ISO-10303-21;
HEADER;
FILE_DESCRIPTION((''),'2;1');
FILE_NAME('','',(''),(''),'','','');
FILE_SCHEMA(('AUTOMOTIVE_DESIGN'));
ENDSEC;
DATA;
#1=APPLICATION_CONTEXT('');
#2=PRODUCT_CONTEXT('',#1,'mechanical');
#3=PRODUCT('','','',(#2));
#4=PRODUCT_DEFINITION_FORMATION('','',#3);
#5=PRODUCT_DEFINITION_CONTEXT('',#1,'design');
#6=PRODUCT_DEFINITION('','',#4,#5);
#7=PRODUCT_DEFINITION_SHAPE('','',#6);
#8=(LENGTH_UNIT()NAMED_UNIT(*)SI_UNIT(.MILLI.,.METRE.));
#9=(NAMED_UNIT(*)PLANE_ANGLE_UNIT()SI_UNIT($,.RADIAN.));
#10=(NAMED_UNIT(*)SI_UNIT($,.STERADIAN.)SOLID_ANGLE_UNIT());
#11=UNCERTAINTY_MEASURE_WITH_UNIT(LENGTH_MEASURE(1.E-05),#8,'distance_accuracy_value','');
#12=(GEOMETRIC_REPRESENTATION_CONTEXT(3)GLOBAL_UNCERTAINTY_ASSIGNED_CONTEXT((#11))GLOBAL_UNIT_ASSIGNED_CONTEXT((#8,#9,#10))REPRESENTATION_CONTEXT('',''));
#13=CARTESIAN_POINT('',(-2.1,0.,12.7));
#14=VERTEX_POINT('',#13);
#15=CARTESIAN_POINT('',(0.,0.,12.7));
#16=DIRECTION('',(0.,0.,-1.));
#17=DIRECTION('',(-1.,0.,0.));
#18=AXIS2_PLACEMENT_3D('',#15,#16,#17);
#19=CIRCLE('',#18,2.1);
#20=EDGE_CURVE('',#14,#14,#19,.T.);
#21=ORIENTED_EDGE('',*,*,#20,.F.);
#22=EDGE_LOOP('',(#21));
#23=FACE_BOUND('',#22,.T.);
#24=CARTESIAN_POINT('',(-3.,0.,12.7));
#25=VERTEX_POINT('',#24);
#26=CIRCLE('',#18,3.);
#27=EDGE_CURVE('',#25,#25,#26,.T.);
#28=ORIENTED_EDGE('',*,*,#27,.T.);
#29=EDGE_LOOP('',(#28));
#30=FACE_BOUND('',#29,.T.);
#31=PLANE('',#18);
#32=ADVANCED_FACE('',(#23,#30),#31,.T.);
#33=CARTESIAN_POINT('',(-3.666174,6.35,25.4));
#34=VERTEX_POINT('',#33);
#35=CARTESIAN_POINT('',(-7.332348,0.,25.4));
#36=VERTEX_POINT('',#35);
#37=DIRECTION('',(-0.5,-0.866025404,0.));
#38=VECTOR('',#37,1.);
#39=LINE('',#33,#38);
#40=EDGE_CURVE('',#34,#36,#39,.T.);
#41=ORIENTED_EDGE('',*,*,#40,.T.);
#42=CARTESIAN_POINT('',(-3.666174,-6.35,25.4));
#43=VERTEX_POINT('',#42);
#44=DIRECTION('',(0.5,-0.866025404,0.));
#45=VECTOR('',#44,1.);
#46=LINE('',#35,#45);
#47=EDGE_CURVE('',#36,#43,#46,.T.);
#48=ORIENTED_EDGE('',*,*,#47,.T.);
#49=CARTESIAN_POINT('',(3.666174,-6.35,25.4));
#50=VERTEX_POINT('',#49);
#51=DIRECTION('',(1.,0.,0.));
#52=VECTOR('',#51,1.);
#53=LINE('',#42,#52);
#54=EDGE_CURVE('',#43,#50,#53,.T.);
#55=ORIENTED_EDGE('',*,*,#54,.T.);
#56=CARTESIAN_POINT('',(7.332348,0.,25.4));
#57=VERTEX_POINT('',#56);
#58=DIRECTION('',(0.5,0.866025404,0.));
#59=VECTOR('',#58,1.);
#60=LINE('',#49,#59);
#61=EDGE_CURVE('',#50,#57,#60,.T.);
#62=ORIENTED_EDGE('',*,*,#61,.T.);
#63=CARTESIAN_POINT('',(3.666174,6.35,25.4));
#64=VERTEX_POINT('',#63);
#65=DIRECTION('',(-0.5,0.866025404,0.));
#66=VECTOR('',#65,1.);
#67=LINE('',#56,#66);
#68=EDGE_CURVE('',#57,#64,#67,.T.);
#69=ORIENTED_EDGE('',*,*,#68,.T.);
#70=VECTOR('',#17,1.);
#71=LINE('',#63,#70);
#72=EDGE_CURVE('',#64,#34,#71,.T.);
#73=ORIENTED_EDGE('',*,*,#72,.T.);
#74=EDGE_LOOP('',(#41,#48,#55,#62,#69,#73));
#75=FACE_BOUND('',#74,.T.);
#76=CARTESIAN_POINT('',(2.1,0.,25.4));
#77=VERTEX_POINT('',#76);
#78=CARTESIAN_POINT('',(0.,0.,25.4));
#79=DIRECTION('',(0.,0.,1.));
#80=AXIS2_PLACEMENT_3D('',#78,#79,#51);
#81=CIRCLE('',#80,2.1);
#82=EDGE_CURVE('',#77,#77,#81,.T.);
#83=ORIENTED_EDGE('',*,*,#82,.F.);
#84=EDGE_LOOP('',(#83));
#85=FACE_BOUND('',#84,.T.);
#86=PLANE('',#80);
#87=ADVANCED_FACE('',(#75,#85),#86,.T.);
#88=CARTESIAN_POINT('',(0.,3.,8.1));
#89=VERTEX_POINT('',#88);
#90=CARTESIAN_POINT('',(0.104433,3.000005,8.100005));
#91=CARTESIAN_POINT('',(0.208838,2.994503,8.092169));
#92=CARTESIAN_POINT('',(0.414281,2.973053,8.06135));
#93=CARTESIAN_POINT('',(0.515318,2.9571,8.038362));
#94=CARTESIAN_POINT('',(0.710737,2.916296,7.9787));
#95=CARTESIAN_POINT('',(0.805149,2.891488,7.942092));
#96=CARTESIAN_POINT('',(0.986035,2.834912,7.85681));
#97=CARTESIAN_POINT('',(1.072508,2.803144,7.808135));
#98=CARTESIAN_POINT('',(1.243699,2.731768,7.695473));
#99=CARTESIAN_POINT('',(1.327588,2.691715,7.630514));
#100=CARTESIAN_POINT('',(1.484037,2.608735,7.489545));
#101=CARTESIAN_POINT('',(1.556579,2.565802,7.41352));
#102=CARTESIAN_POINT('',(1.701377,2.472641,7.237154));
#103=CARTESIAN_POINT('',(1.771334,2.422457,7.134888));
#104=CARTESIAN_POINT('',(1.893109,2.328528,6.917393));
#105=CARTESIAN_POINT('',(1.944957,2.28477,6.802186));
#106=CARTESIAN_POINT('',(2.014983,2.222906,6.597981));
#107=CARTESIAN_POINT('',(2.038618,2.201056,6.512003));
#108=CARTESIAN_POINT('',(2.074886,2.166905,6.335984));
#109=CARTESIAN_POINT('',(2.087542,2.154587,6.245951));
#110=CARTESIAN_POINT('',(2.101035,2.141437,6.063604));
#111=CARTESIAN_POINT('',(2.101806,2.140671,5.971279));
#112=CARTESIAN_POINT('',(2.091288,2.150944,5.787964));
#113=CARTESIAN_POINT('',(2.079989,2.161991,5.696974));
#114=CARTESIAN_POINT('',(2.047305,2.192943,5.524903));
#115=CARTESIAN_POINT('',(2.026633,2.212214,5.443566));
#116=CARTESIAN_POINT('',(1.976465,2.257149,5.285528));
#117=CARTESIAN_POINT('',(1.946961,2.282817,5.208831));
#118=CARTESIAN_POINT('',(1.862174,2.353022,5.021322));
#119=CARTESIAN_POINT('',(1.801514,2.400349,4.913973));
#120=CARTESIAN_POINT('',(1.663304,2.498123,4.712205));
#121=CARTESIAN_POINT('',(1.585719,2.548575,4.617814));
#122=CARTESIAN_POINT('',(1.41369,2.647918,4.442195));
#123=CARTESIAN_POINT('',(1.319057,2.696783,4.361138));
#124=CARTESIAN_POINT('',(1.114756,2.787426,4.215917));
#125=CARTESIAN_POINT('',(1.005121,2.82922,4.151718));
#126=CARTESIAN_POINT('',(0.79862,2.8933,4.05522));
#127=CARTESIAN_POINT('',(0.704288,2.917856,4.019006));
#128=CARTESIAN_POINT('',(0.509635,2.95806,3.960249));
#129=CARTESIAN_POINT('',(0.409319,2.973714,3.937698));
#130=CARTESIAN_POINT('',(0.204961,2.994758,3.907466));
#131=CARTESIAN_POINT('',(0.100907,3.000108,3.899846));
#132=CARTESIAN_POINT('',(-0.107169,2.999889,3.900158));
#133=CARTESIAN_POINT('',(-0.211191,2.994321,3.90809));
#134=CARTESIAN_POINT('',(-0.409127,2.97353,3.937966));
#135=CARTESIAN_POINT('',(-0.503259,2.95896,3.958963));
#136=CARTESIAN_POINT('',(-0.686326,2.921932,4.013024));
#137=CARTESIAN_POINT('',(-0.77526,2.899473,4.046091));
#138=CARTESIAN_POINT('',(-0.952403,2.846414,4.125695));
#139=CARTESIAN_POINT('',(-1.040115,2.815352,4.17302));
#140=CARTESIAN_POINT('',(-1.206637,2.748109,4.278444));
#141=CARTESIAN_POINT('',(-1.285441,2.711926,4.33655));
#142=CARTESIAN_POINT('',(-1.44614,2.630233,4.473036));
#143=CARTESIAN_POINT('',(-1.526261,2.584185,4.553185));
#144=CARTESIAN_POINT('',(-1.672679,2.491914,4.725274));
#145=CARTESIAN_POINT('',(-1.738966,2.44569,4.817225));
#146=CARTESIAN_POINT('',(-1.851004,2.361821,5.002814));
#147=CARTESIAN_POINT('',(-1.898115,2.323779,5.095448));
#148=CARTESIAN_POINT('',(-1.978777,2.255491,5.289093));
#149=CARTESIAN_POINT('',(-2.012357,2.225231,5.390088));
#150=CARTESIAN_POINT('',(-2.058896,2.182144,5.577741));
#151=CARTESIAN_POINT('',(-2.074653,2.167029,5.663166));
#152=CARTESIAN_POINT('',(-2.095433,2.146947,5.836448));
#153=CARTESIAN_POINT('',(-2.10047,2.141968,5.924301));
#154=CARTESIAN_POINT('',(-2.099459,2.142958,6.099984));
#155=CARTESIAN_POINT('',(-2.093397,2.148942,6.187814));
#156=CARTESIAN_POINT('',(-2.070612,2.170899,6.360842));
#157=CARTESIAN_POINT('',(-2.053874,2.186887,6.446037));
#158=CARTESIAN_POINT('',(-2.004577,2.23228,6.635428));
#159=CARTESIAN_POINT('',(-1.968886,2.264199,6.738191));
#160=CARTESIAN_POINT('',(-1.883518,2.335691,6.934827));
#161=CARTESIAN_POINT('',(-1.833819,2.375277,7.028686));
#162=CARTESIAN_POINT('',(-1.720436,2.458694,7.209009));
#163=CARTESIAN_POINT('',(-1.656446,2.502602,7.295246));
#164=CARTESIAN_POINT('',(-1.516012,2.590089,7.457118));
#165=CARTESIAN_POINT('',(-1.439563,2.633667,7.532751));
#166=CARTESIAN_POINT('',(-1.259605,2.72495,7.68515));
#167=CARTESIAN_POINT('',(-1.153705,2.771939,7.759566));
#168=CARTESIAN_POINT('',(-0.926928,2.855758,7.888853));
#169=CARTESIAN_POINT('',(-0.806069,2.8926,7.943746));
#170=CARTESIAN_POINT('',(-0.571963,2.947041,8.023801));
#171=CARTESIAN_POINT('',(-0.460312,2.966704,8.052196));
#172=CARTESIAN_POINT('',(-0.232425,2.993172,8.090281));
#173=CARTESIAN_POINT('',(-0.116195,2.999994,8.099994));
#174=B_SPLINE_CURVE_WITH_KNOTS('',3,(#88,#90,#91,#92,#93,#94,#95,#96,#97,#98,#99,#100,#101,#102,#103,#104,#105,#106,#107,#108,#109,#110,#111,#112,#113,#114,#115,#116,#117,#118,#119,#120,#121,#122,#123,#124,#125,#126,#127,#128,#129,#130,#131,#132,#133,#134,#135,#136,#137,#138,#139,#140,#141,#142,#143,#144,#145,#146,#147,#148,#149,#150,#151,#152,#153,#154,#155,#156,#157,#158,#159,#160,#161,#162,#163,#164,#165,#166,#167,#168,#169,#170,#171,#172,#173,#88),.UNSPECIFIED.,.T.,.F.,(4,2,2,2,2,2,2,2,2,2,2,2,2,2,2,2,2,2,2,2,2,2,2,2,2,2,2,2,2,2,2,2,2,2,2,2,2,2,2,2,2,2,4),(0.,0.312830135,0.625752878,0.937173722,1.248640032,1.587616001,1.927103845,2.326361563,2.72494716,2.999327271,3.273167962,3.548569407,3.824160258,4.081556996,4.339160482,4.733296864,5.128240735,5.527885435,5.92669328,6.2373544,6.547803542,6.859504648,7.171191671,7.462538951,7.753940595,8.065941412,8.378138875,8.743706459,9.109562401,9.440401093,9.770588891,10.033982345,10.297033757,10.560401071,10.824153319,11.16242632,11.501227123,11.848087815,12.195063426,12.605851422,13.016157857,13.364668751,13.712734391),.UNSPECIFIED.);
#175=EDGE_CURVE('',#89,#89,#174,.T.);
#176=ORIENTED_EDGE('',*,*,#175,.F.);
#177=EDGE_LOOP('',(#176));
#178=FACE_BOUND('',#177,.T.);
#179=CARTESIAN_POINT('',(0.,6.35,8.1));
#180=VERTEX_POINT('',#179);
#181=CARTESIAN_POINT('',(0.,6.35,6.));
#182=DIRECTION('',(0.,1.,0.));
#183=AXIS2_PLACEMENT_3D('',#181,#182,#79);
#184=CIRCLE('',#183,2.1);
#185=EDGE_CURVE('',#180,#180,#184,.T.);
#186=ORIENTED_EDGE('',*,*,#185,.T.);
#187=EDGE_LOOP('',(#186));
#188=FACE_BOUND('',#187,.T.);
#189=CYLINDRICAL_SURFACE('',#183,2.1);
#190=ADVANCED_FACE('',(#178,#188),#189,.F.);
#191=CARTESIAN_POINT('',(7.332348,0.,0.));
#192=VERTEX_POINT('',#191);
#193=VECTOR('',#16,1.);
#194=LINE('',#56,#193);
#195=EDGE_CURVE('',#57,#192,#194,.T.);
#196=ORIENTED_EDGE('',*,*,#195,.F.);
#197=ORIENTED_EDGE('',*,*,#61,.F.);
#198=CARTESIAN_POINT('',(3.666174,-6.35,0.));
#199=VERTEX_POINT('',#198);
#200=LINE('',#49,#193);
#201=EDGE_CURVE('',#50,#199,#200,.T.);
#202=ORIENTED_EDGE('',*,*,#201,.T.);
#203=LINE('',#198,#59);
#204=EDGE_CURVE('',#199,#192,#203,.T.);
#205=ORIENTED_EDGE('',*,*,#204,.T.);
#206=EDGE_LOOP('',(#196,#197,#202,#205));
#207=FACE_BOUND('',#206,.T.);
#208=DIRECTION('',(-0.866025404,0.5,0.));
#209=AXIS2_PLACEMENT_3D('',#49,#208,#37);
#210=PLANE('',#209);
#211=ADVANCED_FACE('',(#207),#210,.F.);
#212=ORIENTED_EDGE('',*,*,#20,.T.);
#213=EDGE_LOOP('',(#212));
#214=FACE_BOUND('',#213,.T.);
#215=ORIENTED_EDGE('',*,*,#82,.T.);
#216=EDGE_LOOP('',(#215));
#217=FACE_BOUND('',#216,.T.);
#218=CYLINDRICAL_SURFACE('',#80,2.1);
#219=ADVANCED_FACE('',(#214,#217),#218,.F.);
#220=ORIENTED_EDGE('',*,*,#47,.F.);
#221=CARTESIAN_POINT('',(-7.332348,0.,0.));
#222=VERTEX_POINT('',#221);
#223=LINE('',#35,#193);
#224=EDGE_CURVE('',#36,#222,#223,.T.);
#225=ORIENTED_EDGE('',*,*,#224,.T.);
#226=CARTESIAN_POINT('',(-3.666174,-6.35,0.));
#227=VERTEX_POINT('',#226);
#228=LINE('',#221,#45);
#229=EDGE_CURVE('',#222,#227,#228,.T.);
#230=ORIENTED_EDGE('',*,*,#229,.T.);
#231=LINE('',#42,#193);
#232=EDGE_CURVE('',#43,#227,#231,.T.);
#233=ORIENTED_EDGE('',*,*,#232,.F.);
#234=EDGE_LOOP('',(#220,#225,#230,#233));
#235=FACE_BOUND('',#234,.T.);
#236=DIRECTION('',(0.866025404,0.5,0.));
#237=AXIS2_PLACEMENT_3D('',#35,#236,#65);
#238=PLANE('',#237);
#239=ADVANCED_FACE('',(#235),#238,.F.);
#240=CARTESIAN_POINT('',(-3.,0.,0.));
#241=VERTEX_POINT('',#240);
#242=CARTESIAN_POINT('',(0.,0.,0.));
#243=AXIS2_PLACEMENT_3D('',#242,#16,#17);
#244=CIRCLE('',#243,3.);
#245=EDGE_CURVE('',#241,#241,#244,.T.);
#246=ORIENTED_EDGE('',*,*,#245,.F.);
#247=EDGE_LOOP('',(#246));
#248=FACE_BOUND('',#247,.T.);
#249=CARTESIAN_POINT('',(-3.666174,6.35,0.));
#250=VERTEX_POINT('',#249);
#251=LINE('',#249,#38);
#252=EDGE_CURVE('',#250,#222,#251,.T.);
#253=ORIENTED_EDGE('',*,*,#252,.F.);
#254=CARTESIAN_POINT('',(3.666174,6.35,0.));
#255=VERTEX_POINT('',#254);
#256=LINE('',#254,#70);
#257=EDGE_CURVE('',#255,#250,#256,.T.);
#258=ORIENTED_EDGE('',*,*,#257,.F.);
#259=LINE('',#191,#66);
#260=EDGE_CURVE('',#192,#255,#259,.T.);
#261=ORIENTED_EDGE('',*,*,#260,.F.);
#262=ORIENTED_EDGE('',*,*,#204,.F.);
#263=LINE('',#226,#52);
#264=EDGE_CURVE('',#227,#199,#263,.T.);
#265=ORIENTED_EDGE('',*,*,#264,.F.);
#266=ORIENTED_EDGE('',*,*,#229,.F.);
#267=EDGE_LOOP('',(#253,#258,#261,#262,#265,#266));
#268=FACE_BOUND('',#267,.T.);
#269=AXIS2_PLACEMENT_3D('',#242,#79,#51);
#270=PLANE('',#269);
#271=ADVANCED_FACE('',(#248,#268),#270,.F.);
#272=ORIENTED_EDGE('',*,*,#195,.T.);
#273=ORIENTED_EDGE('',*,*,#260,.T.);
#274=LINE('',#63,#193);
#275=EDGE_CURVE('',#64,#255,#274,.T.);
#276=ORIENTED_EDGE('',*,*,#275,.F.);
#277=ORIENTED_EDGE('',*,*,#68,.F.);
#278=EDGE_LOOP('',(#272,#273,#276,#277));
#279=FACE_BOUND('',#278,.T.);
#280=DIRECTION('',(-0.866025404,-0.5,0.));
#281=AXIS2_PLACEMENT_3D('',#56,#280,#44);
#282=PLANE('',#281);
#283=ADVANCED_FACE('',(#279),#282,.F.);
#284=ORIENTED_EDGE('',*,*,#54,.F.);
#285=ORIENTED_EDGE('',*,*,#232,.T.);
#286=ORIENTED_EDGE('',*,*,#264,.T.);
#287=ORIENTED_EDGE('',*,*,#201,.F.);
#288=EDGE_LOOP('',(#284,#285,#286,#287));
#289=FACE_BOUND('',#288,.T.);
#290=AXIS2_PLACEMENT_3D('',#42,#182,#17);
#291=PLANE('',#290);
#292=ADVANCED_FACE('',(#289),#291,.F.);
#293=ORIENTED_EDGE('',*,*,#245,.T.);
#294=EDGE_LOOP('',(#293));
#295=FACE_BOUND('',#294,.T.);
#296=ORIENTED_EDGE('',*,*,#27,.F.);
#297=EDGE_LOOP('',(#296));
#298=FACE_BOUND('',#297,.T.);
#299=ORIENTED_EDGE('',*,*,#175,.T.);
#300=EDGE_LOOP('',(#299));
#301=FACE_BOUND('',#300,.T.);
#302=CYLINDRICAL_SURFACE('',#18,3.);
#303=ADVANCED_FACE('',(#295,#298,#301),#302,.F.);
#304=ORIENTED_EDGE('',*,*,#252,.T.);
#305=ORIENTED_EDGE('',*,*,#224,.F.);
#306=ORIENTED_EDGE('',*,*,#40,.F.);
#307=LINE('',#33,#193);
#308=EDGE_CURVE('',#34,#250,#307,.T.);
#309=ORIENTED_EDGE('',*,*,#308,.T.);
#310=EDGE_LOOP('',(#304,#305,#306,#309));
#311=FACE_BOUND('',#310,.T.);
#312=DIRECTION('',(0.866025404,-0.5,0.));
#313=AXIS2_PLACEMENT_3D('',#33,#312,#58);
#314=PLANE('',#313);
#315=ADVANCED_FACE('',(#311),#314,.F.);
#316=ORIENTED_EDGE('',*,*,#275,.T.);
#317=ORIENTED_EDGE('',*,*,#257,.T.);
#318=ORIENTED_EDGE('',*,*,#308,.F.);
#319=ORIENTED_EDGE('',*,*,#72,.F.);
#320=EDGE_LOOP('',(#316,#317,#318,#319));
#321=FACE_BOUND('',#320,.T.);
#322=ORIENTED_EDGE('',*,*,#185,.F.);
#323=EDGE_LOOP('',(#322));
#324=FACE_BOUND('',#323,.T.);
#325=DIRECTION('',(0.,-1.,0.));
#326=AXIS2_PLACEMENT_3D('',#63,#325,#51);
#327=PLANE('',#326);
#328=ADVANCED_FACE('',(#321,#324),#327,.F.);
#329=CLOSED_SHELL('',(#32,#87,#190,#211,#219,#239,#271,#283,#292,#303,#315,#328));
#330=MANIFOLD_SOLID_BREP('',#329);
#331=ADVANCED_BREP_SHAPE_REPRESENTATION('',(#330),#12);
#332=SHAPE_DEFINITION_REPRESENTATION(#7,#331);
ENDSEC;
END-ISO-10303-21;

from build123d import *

# Parameters (mm, degrees)
BOSS_EXTRUDE1_DEPTH              = 25.4
SKETCH2_R                        = 3
CUT_EXTRUDE1_DEPTH               = 12.7
TAP_DRILL_FOR_M5X0_8_TAP1_D      = 4.2
TAP_DRILL_FOR_M5X0_8_TAP2_REACH  = 26.319
TAP_DRILL_FOR_M5X0_8_TAP2_BORE_R = 2.1


with BuildPart() as part:
    # Sketch1 → Boss-Extrude1 (new body)
    with BuildSketch(Plane.XY):
        Polygon((7.332348419, 0), (3.666174209, 6.35), (-3.666174209, 6.35), (-7.332348419, 0), (-3.666174209, -6.35), (3.666174209, -6.35), align=None)
    extrude(amount=BOSS_EXTRUDE1_DEPTH)

    # Sketch2 → Cut-Extrude1 (cut)
    with BuildSketch(Plane(origin=(0, 0, 0), x_dir=(-1, 0, 0), z_dir=(0, 0, -1))):
        Circle(SKETCH2_R)
    extrude(amount=-CUT_EXTRUDE1_DEPTH, mode=Mode.SUBTRACT)

    # Tap Drill for M5x0.8 Tap1 (through all)
    with Locations(Plane.XY.offset(25.4)):
        with Locations((0, 0)):
            Hole(TAP_DRILL_FOR_M5X0_8_TAP1_D / 2)

    # Tap Drill for M5x0.8 Tap2 bore (on position points) → Tap Drill for M5x0.8 Tap2 (cut, up to next)
    with BuildSketch(Plane(origin=(0, 6.35, 6), x_dir=(1, 0, 0), z_dir=(0, 1, 0)), mode=Mode.PRIVATE) as tap_drill_for_m5x0_8_tap2_sk1:
        Circle(TAP_DRILL_FOR_M5X0_8_TAP2_BORE_R)
    tap_drill_for_m5x0_8_tap2_tool1 = extrude(tap_drill_for_m5x0_8_tap2_sk1.sketch, amount=-TAP_DRILL_FOR_M5X0_8_TAP2_REACH, mode=Mode.PRIVATE) & part.part
    add(tap_drill_for_m5x0_8_tap2_tool1.solids().sort_by_distance((0, 6.35, 6))[0], mode=Mode.SUBTRACT)


solid = part.part
